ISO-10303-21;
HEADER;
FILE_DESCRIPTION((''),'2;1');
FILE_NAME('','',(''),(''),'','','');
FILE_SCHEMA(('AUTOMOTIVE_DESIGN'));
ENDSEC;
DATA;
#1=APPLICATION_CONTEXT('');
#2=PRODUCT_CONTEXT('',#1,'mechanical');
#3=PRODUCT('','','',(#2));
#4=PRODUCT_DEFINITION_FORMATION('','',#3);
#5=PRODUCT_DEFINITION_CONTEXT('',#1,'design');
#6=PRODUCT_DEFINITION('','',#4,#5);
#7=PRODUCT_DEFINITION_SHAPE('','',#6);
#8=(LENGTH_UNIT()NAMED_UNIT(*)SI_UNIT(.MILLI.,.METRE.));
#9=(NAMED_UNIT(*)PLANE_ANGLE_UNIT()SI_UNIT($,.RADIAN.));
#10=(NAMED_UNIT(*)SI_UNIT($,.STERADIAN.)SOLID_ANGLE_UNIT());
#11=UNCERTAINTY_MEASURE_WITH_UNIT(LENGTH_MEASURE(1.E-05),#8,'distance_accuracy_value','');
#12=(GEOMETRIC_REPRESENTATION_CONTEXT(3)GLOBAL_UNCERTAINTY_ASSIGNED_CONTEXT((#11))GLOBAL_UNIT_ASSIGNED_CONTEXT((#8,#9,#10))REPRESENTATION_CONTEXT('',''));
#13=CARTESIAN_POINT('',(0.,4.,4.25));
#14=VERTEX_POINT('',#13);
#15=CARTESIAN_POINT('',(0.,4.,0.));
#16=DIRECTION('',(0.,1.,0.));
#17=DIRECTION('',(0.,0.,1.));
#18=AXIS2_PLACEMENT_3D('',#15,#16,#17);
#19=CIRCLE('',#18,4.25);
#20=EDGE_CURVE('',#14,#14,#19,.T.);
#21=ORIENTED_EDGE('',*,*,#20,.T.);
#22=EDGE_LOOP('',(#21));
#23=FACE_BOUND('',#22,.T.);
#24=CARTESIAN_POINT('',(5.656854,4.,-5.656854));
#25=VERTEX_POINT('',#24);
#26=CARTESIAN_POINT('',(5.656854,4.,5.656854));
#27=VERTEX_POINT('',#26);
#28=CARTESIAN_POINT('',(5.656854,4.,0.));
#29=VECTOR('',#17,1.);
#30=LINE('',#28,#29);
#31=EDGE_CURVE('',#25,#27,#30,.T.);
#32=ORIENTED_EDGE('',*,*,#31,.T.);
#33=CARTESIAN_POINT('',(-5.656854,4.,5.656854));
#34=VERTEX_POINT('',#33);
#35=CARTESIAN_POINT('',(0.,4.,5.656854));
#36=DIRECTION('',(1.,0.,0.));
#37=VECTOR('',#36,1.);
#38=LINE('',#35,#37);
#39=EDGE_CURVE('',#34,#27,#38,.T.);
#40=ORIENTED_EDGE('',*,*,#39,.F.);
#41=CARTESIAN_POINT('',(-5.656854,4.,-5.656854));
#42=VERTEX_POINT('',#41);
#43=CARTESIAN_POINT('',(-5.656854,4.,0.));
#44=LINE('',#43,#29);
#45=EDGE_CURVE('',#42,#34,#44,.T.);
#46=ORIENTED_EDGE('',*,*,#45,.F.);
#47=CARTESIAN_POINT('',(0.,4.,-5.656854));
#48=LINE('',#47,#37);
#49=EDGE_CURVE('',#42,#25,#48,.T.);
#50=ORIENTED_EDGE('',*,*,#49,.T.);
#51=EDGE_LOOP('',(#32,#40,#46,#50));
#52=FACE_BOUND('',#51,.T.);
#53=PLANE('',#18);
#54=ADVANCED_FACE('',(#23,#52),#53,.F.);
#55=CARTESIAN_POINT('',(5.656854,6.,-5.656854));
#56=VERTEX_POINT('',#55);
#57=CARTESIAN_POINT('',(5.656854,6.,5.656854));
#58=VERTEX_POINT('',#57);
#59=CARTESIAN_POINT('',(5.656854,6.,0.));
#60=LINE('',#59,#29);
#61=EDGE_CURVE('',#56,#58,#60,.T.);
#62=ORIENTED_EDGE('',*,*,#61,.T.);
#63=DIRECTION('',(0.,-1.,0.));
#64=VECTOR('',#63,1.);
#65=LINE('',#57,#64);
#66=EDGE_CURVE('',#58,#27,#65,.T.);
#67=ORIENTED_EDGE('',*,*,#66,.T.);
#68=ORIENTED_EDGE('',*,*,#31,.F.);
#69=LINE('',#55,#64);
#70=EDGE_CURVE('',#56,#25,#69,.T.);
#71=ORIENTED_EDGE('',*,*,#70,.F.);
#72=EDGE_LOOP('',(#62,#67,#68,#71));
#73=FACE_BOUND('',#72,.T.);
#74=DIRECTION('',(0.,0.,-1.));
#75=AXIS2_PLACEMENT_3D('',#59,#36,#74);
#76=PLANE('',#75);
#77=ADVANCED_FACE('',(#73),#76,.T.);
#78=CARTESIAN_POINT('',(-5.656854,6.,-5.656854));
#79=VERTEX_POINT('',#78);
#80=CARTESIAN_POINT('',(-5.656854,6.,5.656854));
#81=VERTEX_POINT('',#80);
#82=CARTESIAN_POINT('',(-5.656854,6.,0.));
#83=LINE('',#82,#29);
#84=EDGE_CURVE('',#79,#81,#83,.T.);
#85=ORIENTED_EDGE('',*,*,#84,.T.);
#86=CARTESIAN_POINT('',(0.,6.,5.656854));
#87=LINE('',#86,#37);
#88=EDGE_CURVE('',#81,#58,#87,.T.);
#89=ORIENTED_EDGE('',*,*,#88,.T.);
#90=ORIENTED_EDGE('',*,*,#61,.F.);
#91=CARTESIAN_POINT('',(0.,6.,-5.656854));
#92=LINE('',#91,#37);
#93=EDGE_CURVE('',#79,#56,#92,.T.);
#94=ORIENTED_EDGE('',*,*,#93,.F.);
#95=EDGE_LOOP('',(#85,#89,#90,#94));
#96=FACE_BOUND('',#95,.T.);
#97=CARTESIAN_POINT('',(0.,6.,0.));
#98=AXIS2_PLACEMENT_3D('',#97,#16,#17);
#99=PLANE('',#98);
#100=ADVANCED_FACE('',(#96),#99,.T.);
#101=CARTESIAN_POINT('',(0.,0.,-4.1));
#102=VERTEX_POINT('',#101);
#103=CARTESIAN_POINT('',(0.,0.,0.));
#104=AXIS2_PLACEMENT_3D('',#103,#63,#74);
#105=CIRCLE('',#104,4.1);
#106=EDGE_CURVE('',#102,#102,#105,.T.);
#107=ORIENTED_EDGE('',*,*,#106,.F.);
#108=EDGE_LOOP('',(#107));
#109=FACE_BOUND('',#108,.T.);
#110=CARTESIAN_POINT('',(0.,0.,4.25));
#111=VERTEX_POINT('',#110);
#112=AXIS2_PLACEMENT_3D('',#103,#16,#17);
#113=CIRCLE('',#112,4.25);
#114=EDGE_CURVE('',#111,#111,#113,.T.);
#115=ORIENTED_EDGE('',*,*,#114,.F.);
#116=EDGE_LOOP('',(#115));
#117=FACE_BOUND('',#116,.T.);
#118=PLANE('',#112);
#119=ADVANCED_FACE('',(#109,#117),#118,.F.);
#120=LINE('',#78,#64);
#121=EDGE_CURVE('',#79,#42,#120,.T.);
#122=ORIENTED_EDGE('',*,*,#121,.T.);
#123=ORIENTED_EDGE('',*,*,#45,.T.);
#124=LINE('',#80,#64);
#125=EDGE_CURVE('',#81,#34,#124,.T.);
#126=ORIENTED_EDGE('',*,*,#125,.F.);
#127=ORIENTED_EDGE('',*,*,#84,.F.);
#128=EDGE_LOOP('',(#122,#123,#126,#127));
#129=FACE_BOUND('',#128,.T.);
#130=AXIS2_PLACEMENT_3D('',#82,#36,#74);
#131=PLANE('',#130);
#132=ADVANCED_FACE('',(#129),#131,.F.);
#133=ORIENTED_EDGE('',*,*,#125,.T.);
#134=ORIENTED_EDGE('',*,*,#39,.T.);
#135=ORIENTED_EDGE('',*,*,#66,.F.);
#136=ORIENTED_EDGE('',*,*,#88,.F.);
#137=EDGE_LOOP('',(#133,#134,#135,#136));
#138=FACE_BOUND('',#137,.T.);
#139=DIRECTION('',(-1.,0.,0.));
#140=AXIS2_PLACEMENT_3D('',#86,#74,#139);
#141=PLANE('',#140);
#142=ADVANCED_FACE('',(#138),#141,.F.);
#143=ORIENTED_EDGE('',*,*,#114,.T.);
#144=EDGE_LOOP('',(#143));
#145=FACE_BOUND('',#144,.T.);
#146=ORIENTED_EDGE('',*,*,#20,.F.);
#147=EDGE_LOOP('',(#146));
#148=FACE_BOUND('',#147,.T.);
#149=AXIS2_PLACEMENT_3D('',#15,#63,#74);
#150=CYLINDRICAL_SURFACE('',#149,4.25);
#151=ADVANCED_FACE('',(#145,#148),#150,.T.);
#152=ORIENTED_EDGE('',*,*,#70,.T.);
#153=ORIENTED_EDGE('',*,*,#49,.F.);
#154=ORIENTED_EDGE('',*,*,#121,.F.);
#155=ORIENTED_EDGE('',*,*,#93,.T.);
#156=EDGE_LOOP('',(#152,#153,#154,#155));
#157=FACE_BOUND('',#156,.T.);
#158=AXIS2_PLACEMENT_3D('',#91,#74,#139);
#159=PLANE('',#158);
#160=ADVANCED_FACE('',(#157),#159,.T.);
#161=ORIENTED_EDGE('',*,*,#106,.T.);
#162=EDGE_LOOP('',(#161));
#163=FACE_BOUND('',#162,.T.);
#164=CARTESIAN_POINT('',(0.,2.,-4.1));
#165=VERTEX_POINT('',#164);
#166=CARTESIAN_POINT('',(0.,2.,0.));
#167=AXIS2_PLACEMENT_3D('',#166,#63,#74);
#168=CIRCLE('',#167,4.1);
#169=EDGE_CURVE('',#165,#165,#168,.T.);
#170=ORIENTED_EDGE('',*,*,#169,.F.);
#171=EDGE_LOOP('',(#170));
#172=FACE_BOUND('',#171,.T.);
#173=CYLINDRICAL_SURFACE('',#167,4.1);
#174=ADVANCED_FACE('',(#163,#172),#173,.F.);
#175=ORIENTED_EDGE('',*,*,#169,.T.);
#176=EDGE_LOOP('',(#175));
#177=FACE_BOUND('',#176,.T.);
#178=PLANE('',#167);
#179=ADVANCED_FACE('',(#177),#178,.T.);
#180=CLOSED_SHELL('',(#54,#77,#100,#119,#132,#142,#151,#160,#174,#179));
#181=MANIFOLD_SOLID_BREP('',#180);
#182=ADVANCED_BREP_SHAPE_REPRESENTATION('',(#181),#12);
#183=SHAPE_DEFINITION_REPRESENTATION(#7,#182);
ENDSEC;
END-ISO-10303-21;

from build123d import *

# Parameters (mm, degrees)
SKETCH1_R           = 4.25
BOSS_EXTRUDE1_DEPTH = 4
SKETCH2_W           = 11.313708498
SKETCH2_H           = 11.313708498
BOSS_EXTRUDE2_DEPTH = 2
SKETCH3_R           = 4.1
CUT_EXTRUDE1_DEPTH  = 2


with BuildPart() as part:
    # Sketch1 → Boss-Extrude1 (new body)
    with BuildSketch(Plane(origin=(0, 0, 0), x_dir=(1, 0, 0), z_dir=(0, 1, 0))):
        with Locations(Location((0, 0, 0), (0, 0, 270))):
            Circle(SKETCH1_R)
    extrude(amount=BOSS_EXTRUDE1_DEPTH)

    # Sketch2 → Boss-Extrude2 (add)
    with BuildSketch(Plane(origin=(0, 4, 0), x_dir=(1, 0, 0), z_dir=(0, 1, 0))):
        Rectangle(SKETCH2_W, SKETCH2_H)
    extrude(amount=BOSS_EXTRUDE2_DEPTH)

    # Sketch3 → Cut-Extrude1 (cut)
    with BuildSketch(Plane.XZ):
        with Locations(Location((0, 0, 0), (0, 0, 270))):
            Circle(SKETCH3_R)
    extrude(amount=-CUT_EXTRUDE1_DEPTH, mode=Mode.SUBTRACT)


solid = part.part
